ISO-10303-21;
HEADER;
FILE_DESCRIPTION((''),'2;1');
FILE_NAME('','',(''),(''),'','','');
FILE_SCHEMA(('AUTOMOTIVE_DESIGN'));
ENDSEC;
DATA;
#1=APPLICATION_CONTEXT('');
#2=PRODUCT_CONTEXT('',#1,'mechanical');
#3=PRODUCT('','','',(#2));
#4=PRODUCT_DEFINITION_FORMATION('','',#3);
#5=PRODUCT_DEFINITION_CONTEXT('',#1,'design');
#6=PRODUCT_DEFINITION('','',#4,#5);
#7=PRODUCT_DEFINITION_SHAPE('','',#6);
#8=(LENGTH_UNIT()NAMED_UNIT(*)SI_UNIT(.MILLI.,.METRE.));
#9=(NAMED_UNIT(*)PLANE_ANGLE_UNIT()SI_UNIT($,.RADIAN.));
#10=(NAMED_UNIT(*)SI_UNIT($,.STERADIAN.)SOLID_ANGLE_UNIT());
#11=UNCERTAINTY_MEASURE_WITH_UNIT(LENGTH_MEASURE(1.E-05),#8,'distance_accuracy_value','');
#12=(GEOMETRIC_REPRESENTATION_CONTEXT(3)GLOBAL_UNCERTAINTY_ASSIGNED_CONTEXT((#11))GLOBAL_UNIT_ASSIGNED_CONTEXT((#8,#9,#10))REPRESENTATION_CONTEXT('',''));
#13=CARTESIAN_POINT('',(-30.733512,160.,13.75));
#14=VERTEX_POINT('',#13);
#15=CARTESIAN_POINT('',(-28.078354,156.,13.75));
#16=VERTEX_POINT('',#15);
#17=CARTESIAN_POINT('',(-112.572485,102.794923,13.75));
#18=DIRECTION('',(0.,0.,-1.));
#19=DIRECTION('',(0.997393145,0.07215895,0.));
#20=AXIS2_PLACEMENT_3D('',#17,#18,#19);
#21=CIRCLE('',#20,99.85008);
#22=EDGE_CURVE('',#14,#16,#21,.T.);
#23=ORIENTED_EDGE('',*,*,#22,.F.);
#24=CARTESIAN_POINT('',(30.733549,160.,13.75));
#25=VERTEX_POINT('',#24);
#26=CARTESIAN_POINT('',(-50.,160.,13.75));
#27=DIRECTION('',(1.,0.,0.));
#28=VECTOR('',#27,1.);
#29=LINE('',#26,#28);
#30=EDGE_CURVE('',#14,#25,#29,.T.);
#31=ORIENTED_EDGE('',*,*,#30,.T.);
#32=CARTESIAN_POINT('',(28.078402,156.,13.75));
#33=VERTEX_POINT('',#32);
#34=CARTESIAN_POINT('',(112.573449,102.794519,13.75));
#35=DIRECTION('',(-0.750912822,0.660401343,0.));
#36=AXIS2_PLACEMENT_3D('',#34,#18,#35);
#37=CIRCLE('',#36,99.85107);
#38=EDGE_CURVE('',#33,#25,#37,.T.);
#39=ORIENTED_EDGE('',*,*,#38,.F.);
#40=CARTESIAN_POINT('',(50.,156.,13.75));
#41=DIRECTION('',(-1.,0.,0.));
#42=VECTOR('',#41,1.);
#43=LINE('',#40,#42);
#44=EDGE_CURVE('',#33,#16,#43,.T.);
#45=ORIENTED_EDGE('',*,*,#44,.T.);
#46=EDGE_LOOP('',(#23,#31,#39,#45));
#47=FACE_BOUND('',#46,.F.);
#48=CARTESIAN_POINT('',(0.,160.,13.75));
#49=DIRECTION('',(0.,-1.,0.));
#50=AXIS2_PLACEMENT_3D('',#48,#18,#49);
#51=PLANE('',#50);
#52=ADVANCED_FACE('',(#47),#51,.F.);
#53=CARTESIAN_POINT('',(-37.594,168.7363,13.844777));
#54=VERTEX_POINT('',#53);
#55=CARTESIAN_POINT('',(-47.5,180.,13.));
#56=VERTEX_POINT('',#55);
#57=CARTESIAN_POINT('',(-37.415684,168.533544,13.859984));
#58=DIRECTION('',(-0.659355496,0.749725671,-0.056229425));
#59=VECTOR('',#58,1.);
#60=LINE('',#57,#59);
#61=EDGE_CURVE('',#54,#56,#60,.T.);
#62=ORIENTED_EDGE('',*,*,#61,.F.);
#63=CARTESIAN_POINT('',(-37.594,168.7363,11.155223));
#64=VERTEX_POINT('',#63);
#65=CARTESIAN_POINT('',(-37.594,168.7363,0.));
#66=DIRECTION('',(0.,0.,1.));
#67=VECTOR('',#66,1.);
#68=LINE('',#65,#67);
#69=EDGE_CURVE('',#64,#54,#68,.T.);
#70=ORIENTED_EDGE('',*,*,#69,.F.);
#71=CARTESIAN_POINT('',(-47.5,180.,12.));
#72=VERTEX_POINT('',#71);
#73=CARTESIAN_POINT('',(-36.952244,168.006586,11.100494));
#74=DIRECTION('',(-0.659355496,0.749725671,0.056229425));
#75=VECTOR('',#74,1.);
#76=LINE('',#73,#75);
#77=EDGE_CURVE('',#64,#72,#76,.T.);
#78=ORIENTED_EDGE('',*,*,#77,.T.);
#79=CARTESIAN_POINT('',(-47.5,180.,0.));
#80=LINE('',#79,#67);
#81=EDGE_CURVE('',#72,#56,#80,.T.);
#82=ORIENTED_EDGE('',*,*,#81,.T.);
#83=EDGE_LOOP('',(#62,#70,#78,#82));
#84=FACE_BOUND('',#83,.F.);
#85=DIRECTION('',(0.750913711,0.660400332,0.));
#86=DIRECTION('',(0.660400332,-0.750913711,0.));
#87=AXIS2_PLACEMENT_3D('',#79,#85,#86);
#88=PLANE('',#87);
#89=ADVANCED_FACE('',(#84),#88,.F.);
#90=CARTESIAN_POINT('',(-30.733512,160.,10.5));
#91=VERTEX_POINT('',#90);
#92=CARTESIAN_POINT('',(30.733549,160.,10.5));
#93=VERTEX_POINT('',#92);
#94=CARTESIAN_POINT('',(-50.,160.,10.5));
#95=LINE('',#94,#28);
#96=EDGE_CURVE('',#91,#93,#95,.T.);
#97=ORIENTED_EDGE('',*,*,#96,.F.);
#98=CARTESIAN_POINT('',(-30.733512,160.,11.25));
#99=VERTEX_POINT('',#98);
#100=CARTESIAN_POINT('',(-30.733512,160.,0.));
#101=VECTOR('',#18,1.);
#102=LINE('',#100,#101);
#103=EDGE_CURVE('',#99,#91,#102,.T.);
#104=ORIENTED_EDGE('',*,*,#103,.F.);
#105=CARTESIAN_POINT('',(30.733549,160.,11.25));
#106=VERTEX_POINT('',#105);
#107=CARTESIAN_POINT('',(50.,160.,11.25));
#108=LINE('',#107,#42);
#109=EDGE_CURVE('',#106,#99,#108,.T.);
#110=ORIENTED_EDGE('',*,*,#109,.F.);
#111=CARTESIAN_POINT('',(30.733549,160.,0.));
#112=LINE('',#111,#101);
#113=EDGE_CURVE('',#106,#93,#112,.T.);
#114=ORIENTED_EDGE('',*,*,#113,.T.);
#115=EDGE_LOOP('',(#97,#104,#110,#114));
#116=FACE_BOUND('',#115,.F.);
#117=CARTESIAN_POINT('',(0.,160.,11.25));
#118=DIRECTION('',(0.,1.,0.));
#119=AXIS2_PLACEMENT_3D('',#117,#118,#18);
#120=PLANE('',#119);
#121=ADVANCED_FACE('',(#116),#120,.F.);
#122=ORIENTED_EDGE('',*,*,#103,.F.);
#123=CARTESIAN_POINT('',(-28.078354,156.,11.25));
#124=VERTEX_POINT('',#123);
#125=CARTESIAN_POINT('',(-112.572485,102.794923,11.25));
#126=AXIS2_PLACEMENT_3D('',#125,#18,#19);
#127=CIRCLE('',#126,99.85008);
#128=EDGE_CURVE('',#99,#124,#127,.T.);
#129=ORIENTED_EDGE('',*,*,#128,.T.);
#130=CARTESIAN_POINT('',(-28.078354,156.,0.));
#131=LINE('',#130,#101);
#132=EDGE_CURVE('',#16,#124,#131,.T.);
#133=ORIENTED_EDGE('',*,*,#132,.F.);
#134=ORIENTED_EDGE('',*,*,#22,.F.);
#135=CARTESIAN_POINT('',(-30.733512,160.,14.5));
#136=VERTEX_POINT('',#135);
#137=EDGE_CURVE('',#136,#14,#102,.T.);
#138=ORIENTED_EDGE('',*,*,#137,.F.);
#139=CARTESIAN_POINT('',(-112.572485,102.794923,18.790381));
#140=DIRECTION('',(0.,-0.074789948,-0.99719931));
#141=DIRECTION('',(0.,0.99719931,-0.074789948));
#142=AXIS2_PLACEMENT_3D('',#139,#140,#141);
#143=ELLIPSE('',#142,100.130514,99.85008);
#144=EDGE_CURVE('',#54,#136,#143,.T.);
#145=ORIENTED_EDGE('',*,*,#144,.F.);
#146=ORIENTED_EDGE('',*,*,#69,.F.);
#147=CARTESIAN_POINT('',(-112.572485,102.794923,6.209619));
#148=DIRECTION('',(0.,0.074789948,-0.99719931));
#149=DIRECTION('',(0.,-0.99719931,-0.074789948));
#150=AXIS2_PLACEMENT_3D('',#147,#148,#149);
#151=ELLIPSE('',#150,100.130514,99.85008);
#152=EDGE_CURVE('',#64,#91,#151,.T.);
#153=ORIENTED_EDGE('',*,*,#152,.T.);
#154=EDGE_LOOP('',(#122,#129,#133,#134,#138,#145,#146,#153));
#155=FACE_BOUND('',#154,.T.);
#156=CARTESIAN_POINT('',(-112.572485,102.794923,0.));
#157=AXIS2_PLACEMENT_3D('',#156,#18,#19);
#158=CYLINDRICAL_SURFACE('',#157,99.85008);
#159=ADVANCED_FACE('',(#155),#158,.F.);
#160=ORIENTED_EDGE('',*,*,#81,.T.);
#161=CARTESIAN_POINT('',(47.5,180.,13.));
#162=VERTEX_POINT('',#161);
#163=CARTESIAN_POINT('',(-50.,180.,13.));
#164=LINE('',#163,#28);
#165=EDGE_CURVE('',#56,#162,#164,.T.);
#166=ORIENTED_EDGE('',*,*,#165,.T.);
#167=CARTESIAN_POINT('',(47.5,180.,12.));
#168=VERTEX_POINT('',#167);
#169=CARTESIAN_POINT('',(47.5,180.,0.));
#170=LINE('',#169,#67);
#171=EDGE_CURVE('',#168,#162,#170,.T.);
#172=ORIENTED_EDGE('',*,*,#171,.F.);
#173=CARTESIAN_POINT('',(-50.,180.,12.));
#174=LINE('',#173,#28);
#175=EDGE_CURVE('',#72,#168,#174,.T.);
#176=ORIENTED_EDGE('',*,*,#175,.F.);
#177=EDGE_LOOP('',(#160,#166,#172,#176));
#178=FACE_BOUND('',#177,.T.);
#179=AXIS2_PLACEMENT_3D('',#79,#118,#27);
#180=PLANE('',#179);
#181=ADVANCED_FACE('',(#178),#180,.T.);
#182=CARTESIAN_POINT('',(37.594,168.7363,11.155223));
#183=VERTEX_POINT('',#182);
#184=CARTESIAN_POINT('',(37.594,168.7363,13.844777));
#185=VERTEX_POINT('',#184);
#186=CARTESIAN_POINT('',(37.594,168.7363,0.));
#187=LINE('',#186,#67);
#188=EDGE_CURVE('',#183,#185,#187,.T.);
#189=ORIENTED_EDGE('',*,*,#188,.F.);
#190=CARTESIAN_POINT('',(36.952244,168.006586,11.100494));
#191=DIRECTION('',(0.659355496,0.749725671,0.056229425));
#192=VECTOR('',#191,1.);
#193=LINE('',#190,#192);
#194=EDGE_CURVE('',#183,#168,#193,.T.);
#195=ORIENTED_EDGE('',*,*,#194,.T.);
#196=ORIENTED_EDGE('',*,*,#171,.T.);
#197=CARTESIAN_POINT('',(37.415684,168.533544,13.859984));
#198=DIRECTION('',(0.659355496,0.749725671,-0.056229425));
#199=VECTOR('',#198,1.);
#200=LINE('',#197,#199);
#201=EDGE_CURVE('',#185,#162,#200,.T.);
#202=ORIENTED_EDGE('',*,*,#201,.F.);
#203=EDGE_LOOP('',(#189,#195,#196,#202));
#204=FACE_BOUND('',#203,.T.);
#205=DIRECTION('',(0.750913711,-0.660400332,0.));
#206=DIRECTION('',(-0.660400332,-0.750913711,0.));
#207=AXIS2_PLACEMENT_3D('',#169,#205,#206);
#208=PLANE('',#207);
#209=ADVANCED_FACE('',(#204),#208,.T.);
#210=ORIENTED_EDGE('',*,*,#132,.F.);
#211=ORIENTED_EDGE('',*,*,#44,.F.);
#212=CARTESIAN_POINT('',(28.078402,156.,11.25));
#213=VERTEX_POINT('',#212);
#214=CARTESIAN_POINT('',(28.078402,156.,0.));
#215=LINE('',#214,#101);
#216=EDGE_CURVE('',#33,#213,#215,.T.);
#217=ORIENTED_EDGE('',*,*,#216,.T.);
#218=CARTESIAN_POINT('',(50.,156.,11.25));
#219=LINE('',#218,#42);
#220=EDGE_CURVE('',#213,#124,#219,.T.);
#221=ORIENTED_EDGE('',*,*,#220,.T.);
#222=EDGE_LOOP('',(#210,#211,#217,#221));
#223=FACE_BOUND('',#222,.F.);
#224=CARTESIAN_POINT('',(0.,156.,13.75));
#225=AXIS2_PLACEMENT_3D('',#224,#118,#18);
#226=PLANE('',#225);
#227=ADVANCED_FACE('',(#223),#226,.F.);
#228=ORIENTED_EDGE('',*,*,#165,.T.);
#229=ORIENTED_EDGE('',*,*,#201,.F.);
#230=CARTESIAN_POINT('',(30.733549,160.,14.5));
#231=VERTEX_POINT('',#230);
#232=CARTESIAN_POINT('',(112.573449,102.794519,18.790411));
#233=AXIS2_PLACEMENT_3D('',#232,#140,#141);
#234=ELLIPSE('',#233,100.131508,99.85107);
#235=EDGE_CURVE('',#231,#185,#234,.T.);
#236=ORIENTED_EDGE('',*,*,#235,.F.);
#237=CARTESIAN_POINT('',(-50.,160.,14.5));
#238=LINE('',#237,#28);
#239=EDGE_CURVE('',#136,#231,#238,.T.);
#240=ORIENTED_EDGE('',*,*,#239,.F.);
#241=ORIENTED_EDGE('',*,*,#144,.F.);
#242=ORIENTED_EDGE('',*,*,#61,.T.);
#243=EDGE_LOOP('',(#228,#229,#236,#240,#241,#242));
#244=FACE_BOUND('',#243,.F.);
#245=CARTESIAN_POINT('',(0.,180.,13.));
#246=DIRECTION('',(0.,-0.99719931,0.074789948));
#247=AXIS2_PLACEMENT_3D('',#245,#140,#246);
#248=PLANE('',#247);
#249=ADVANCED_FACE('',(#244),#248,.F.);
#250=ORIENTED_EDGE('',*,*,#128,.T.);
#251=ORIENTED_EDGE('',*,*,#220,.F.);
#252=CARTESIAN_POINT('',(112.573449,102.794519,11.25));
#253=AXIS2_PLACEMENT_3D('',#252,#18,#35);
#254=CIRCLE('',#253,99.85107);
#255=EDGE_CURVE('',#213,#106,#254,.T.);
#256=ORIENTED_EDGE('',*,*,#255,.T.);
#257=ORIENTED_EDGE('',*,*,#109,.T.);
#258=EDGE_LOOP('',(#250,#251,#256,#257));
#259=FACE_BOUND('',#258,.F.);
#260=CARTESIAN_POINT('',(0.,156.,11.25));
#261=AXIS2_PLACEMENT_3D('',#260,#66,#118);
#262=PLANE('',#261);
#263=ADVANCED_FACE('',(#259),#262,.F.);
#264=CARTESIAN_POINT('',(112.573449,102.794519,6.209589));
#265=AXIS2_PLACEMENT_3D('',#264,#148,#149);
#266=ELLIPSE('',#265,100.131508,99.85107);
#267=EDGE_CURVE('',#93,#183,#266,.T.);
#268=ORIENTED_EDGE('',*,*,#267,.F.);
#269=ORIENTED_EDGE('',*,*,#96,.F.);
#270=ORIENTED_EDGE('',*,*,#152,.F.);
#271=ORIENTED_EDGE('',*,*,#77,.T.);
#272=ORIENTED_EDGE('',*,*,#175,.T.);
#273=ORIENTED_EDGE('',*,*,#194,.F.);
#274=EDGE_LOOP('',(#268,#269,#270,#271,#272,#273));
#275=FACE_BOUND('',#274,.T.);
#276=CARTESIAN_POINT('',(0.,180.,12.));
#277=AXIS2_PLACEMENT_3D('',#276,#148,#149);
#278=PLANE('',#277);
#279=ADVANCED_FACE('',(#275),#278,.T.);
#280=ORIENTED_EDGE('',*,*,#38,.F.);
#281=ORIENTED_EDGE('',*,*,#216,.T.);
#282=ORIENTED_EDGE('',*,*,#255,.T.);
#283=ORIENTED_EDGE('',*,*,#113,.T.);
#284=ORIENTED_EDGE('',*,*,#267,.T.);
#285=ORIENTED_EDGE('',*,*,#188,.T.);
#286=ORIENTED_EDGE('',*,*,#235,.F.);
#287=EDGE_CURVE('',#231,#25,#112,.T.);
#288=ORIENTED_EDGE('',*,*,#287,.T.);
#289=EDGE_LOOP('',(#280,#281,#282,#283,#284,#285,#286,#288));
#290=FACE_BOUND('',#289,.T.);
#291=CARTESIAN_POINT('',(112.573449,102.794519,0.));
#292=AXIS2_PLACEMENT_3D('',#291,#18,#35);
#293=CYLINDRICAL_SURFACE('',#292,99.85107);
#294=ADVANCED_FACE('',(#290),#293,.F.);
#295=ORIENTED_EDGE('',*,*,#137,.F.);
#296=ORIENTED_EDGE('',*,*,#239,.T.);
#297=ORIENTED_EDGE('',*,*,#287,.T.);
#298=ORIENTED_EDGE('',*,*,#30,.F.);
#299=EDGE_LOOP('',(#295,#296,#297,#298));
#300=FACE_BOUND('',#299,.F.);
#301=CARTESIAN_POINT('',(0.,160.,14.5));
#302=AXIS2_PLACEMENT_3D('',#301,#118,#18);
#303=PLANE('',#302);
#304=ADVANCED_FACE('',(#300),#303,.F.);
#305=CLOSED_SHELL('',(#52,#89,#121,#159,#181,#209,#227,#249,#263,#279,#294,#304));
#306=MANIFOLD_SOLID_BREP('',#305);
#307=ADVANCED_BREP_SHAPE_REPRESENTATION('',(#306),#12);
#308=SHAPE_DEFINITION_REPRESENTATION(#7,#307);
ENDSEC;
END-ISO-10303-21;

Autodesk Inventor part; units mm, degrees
ref_plane "YZ Plane" through (0, 0, 0) normal (1, 0, 0) x (0, 1, 0)
ref_plane "XZ Plane" through (0, 0, 0) normal (0, 1, 0) x (-1, 0, 0)
ref_plane "XY Plane" through (0, 0, 0) normal (0, 0, 1) x (1, 0, 0)
sketch "Эскиз1" plane through (0, 0, 0) normal (0, 0, 1) x (1, 0, 0)
  line L0 (-13, 0) -> (13, 0)
  line L1 (-47.5, 180) -> (47.5, 180)
  line L2 (-16.5, 130) -> (16.5, 130)
  line L3 (-12.9827, 110) -> (12.9827, 110)
  line L4 (-11.8003, 90) -> (11.8003, 90)
  line L5 (47.5, 180) -> (37.594, 168.7363)
  line L6 (-47.5, 180) -> (-37.594, 168.7363)
  line L7 (-37.594, 168.7363) -> (37.594, 168.7363)
  arc A0 (37.594, 168.7363) -> (12.9827, 110) centre (112.573, 102.7948) ccw
  arc A1 (12.9827, 110) -> (13, 0) centre (771.5375, 55.1194) ccw
  arc A2 (-12.9827, 110) -> (-37.594, 168.7363) centre (-112.573, 102.7948) ccw
  arc A3 (-13, 0) -> (-12.9827, 110) centre (-771.5375, 55.1194) ccw
  line L8 (-11, 80.4723) -> (-11, 26.1046)
  line L9 (11, 80.4723) -> (11, 26.1046)
  line L10 (-37.594, 168.7363) -> (13.0707, 111.1279)
  line L11 (37.594, 168.7363) -> (-13.0707, 111.1279)
  point P0 (0, 0)
  point P1 (0, 0)
  point P2 (0, 180)
  point P3 (0, 130)
  point P4 (0, 90)
  point P5 (0, 110)
  point P6 (-11, 55.1194)
  dimension "d0" = 26
  dimension "d1" = 95
  dimension "d2" = 33
  dimension "d5" = 180
  dimension "d6" = 50
  dimension "d7" = 20
  dimension "d8" = 20
  dimension "d9" = 15
  dimension "d10" = 15
  dimension "d13" = 22
  dimension "d19" = 55.1194
extrude "Выдавливание1" add sketch "Эскиз1" along normal blind 25
sketch "Эскиз2" plane through (0, 0, 0) normal (1, 0, 0) x (0, 1, 0)
  line L0 (0, 0) -> (110, 0) projected
  line L1 (110, 0) -> (110, 25) projected
  line L2 (0, 25) -> (110, 25) projected
  line L3 (0, 0) -> (0, 25) projected
  line L4 (110, 0) -> (169.3956, 0) projected
  line L5 (110, 25) -> (169.3956, 25) projected
  line L6 (110, 0) -> (110, 25) projected
  line L7 (130, 18) -> (130, 7)
  line L8 (55, 21) -> (55, 4)
  arc A0 (0, 25) -> (130, 18) centre (172.2556, 2013.3889) ccw
  arc A1 (130, 7) -> (0, 0) centre (172.2556, -1988.3889) ccw
  line L9 (180, 13) -> (180, 12)
  line L10 (160, 14.5) -> (160, 10.5)
  line L11 (180, 13) -> (160, 14.5)
  line L12 (180, 12) -> (160, 10.5)
  arc A2 (130, 18) -> (160, 14.5) centre (187.3675, 379.4) ccw
  arc A3 (160, 10.5) -> (130, 7) centre (187.3675, -354.4) ccw
  line L13 (168.7363, 0) -> (180, 0) projected
  line L14 (180, 0) -> (180, 25) projected
  line L15 (168.7363, 25) -> (180, 25) projected
  line L16 (160, 13.75) -> (156, 13.75)
  line L17 (156, 13.75) -> (156, 11.25)
  line L18 (156, 11.25) -> (160, 11.25)
  point P0 (130, 12.5)
  point P1 (0, 12.5)
  point P2 (55, 12.5)
  point P3 (180, 12.5)
  point P4 (169.3956, 12.5)
  point P5 (160, 12.5)
  point P6 (180, 12.5)
  point P7 (156, 12.5)
  dimension "d16" = 11
  dimension "d20" = 55
  dimension "d21" = 17
  dimension "d22" = 1
  dimension "d23" = 4
  dimension "d28" = 50
  dimension "d30" = 20
  dimension "d33" = 4
  dimension "d34" = 2.5
extrude "Выдавливание2" cut sketch "Эскиз2" along normal mid plane 100 contours L10 L11 L9 L12 | L18 L17 L16 L10 keep common part
properties part number "bachi_v2" material "Фарфор, слоновая кость"
